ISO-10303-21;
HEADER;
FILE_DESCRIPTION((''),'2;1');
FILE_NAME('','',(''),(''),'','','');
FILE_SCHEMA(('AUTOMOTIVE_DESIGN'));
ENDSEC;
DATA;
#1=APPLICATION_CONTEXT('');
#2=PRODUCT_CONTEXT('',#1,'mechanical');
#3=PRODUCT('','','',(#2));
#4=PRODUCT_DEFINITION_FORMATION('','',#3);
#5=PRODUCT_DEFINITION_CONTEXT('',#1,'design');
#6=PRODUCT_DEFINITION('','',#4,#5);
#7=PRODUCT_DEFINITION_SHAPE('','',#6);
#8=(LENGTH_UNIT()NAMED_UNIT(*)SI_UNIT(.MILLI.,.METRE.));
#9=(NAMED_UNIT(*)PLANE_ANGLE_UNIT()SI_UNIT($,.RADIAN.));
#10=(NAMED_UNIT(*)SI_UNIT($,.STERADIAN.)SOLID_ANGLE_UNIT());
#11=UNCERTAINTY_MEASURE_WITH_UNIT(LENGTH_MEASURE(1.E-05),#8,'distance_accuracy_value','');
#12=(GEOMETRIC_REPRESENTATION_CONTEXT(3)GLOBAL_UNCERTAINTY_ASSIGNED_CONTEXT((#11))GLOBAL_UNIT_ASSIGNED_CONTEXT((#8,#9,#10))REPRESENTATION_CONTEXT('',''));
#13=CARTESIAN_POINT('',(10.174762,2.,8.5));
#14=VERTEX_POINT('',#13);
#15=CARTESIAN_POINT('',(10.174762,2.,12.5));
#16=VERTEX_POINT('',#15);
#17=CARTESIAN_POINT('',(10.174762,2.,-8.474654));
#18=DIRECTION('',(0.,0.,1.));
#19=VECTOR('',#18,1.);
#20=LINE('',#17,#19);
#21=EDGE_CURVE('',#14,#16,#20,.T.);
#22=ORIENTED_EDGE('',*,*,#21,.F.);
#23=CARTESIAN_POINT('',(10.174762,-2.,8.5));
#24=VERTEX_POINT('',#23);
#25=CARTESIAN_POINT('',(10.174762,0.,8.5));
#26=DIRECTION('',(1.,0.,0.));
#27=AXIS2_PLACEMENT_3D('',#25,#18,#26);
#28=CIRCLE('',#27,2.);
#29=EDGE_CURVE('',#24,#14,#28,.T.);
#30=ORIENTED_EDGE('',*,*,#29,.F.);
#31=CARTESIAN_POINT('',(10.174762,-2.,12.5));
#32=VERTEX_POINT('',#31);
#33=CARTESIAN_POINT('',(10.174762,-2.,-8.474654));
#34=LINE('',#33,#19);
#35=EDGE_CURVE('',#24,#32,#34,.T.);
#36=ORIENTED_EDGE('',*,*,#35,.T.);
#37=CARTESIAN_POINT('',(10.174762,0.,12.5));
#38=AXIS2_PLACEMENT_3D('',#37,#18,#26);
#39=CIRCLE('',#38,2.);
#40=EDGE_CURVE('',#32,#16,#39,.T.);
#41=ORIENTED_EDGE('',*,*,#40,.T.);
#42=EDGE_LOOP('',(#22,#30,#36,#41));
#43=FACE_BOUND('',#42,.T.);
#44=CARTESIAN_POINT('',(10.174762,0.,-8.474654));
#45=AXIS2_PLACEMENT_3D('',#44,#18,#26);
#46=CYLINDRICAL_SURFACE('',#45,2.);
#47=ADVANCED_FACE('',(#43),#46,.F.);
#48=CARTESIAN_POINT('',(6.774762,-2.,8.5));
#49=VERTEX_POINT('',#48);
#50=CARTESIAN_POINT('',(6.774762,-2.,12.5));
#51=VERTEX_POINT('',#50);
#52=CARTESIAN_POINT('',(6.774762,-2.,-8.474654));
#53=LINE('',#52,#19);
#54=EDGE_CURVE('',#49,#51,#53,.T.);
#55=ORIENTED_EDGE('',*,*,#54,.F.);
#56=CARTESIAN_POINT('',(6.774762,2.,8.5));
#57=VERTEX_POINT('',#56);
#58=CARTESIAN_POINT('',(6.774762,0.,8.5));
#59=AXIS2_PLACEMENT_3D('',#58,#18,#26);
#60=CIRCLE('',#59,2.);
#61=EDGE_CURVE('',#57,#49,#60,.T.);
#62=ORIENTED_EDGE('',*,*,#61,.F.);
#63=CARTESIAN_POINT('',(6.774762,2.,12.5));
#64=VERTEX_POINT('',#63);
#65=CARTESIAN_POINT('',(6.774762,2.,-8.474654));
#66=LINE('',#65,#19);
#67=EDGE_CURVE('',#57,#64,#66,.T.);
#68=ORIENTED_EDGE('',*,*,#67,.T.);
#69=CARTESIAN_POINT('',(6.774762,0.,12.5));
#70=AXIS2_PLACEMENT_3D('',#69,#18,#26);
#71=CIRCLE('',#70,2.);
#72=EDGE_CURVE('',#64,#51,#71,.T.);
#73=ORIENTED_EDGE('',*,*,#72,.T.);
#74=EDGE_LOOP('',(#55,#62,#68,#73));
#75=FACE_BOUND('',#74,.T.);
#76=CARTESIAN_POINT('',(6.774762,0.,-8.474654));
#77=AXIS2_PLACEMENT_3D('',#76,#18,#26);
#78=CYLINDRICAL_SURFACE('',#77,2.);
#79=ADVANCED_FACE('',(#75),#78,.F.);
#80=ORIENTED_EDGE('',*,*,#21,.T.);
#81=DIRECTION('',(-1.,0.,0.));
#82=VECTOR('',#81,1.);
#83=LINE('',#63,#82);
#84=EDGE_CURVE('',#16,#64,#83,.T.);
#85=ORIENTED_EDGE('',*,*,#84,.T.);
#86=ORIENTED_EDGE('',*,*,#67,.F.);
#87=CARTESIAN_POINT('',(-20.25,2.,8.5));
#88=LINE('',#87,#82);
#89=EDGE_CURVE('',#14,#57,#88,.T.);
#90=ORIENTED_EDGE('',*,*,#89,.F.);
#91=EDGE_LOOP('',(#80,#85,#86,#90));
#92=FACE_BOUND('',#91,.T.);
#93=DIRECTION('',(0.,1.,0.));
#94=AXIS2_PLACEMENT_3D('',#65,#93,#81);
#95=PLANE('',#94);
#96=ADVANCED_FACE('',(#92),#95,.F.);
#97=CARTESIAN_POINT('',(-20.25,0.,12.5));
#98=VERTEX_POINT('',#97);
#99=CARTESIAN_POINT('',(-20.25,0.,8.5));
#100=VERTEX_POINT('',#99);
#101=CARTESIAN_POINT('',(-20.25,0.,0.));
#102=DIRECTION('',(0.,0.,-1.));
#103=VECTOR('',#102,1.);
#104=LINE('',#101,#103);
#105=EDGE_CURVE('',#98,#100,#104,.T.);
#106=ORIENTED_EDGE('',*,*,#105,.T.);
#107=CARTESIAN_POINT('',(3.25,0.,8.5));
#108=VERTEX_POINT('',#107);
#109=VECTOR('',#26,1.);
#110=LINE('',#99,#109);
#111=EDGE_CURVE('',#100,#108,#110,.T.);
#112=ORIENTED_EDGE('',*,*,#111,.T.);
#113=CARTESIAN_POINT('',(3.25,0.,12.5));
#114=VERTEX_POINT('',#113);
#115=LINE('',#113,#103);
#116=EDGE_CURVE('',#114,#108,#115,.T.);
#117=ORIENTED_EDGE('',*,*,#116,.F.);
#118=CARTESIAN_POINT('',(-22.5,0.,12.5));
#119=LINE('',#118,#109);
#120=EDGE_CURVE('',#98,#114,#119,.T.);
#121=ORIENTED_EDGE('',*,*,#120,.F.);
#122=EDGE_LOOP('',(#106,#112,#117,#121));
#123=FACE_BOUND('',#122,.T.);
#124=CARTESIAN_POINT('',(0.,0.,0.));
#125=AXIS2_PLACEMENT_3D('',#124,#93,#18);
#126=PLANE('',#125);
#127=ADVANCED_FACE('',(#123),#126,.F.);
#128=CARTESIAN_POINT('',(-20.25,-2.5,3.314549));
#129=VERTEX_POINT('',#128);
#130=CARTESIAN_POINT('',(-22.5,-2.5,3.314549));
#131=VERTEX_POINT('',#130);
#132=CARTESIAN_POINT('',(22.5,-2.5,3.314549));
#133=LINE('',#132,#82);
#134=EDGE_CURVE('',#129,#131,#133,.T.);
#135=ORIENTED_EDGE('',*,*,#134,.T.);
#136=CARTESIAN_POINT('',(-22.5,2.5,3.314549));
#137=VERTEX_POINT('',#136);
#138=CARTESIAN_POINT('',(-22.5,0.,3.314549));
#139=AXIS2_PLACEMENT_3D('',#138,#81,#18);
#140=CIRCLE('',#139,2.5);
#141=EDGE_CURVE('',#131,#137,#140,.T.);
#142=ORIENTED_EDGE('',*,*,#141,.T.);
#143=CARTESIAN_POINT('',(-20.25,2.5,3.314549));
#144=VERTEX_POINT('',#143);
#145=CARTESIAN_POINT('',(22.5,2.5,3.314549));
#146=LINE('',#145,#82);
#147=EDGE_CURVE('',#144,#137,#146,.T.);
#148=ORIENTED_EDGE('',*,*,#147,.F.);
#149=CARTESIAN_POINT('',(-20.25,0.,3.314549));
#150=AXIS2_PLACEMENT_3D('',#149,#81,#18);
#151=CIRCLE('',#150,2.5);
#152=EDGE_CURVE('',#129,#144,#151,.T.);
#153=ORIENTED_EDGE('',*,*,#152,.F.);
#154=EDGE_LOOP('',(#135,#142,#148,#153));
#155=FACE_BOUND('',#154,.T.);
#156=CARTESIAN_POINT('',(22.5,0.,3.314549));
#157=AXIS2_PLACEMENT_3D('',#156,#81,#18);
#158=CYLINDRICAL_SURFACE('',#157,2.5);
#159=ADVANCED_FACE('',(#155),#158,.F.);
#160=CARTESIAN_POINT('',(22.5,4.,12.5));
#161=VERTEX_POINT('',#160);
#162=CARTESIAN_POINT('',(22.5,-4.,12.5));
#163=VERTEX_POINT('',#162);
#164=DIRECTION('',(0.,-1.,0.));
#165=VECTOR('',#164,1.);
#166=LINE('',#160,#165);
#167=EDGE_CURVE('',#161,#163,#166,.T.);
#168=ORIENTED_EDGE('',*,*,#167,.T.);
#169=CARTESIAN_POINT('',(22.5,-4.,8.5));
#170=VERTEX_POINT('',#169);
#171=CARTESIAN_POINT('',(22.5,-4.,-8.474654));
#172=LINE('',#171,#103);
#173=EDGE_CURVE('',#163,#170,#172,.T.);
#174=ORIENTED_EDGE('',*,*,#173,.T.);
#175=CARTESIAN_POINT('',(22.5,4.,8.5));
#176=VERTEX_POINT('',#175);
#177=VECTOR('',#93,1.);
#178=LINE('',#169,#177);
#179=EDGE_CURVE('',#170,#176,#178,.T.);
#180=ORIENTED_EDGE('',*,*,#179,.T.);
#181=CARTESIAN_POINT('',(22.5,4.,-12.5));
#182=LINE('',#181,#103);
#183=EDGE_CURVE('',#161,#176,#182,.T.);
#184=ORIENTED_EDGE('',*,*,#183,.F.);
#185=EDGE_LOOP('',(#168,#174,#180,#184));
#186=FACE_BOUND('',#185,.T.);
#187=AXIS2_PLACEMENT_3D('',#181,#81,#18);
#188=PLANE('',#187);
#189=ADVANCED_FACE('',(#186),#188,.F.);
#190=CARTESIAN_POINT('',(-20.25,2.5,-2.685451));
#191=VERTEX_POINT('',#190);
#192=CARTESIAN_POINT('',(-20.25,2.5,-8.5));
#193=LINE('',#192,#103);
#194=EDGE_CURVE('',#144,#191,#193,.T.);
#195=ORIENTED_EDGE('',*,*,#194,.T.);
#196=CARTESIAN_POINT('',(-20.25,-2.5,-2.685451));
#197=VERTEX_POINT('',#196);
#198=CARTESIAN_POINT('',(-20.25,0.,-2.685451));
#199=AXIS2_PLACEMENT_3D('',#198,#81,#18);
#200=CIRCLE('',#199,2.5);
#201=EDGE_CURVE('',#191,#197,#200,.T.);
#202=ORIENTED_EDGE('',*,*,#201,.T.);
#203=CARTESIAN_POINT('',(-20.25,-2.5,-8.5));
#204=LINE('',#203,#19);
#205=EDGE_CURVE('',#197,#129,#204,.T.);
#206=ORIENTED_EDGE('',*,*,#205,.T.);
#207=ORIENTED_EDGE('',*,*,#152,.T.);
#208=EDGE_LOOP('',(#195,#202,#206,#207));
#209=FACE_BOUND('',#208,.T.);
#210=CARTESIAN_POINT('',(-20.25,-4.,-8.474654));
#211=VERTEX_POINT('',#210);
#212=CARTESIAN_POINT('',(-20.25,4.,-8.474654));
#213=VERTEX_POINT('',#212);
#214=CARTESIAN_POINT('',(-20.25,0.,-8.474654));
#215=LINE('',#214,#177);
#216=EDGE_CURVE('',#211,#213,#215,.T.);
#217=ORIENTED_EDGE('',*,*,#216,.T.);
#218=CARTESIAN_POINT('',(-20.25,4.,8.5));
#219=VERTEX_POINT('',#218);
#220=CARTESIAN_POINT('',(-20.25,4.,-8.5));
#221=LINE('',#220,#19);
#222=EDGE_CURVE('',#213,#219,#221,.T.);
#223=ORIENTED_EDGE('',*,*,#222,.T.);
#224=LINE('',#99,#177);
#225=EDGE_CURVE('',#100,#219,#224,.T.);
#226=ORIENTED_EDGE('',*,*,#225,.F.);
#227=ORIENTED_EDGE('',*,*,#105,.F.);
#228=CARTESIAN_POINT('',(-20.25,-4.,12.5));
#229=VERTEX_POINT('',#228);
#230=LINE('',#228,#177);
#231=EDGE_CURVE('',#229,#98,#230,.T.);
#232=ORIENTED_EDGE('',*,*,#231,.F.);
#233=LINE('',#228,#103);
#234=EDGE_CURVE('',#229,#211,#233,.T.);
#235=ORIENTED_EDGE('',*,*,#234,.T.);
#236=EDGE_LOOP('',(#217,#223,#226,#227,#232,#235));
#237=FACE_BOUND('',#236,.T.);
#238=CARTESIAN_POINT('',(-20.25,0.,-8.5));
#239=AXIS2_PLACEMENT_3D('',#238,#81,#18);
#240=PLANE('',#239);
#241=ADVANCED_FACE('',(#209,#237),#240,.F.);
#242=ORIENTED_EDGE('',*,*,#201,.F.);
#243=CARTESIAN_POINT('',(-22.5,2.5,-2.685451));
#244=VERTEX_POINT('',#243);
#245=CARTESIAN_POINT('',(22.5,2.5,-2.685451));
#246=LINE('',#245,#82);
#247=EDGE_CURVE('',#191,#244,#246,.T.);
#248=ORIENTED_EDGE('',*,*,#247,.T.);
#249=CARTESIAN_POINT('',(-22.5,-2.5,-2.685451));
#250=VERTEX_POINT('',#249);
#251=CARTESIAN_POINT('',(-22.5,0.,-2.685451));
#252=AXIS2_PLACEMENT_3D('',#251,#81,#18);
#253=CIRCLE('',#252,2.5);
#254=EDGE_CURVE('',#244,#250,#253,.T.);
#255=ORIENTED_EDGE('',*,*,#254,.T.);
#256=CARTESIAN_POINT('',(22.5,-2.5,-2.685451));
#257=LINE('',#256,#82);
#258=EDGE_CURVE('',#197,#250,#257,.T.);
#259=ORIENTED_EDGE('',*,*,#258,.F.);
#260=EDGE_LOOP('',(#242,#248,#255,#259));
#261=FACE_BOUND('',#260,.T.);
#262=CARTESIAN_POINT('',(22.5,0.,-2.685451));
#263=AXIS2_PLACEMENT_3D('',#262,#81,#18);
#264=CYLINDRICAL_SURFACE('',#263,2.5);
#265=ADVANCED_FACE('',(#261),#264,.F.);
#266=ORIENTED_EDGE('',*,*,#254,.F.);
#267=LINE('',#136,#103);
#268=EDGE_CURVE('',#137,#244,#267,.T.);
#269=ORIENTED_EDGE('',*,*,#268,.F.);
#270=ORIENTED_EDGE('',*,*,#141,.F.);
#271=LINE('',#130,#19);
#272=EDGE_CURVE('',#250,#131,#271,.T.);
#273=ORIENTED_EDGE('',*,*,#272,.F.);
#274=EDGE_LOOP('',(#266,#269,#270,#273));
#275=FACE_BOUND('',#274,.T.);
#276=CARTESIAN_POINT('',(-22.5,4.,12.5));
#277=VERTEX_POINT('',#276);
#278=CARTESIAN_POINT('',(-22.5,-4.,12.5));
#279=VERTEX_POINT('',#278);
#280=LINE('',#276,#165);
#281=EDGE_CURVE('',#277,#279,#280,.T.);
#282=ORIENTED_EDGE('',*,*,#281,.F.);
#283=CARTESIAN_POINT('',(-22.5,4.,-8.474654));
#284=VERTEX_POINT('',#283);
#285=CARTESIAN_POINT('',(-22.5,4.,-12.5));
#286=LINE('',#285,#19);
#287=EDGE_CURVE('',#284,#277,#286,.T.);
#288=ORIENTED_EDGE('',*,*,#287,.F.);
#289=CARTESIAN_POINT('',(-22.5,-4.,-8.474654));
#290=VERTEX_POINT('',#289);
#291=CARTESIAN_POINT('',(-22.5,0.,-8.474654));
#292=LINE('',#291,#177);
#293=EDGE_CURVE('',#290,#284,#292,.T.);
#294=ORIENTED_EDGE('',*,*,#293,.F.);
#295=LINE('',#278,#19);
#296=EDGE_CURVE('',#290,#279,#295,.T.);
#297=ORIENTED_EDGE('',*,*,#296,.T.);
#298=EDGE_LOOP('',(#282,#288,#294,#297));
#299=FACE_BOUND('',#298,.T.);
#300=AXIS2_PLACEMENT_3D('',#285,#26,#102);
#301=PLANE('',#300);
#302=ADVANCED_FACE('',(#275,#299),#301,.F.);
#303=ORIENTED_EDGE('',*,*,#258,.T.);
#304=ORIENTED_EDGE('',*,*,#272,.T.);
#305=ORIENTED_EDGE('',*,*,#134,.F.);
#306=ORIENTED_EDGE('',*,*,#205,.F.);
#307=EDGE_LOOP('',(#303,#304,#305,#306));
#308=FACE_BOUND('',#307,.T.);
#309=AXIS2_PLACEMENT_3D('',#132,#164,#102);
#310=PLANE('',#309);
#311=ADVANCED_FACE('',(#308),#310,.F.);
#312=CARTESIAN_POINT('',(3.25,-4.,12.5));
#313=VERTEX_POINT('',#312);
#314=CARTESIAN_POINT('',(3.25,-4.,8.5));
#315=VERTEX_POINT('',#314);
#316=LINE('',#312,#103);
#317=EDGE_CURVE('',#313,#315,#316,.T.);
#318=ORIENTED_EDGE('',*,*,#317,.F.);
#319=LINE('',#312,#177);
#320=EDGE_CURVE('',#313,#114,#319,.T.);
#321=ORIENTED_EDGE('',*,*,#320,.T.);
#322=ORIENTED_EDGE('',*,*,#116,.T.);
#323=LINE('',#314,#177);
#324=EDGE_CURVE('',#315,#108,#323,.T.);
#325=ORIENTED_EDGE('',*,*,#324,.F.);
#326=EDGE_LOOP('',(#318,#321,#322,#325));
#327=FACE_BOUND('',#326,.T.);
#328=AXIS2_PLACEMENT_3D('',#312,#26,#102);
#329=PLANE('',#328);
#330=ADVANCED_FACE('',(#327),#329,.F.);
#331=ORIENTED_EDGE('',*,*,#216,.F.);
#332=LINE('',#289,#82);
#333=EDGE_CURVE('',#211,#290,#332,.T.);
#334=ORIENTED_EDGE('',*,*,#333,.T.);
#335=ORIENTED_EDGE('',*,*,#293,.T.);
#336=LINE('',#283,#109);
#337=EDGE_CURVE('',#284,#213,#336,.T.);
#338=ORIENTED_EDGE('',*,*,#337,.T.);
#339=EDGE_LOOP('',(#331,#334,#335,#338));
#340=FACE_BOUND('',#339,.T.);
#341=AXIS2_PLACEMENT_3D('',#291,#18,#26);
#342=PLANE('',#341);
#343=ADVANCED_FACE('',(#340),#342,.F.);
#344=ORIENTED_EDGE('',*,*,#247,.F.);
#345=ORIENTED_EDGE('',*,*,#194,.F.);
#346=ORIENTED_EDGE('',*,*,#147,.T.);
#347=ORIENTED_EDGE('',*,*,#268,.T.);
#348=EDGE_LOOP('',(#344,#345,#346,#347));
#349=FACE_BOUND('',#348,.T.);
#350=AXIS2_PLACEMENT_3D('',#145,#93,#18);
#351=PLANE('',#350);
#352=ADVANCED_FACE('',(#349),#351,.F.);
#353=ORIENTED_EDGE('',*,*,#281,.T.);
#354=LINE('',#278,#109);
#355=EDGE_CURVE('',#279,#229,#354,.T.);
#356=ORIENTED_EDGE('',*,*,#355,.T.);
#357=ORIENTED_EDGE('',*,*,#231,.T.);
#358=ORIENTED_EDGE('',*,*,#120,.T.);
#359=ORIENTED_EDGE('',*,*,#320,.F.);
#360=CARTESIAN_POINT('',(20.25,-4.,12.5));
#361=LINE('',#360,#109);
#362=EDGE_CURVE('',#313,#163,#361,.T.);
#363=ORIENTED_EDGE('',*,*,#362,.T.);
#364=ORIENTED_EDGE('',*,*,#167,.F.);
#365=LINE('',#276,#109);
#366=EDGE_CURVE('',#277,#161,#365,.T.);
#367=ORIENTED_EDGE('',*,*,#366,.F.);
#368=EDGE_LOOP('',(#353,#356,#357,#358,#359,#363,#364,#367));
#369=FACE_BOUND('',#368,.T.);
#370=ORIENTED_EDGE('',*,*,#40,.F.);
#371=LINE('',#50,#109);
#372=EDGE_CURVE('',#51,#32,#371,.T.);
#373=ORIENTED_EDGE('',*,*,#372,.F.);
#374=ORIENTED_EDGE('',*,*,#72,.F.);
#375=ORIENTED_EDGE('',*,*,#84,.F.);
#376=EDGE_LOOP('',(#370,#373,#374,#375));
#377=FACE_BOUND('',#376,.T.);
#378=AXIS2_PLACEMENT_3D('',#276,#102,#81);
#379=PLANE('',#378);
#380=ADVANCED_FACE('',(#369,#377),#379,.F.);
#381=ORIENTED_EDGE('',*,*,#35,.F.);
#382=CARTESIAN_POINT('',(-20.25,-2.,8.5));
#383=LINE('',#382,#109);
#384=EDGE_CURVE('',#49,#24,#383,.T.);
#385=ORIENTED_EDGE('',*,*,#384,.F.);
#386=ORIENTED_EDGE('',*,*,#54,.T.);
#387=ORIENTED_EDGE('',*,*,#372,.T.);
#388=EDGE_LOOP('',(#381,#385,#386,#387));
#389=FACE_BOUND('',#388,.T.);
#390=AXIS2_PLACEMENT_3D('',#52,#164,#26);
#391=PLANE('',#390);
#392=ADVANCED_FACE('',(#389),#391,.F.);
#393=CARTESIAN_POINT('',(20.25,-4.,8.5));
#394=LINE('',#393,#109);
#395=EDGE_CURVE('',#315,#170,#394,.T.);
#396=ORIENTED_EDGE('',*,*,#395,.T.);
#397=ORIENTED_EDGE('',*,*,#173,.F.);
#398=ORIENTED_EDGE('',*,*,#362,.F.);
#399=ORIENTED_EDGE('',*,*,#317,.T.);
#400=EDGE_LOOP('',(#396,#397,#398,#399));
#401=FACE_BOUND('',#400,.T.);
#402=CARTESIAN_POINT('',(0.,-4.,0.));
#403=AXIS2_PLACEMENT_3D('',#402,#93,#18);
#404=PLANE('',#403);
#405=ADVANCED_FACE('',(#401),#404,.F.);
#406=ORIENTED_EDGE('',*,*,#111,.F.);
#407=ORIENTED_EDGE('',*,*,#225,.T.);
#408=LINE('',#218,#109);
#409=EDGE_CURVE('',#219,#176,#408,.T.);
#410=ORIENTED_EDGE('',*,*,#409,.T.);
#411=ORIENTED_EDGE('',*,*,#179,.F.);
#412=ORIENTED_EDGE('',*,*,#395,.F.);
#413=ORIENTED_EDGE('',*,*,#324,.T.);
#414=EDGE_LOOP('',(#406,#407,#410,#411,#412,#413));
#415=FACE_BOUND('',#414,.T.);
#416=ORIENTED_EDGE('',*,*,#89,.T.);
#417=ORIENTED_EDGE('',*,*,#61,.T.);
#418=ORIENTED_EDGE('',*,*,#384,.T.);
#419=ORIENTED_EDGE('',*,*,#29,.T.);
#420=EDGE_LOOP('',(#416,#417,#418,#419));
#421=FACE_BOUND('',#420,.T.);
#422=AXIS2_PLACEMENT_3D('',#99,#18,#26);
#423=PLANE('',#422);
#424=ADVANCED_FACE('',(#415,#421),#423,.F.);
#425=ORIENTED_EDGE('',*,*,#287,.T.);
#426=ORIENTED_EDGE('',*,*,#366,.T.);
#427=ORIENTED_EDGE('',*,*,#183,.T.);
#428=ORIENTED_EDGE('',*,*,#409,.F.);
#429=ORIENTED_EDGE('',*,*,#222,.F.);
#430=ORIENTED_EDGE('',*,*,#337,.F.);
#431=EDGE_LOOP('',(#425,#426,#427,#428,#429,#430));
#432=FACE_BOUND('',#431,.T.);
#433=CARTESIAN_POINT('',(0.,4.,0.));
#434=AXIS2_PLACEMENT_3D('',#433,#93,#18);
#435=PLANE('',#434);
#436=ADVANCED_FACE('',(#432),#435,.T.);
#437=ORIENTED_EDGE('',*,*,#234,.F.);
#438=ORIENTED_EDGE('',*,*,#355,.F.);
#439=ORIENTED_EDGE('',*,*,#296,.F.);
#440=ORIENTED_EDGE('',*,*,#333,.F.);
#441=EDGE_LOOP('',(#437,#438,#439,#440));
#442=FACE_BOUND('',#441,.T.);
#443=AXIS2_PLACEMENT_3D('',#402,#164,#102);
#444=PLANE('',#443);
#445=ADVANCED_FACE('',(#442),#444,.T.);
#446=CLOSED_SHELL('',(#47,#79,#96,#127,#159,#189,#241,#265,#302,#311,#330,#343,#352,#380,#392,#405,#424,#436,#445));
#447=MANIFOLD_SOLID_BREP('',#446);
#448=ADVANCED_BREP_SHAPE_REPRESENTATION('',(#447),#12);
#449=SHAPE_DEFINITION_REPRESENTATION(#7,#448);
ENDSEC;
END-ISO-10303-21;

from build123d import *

# Parameters (mm, degrees)
SKETCH1_W           = 45
SKETCH1_H           = 25
BOSS_EXTRUDE1_DEPTH = 4
SKETCH5_W           = 40.5
SKETCH5_H           = 17
CUT_EXTRUDE2_DEPTH  = 27.048032555
SKETCH6_W           = 45
SKETCH6_H           = 4.025345596
CUT_EXTRUDE3_DEPTH  = 27.048032555
SKETCH13_W          = 2.25
SKETCH13_H          = 20.974654404
BOSS_EXTRUDE3_DEPTH = 8
SKETCH16_W          = 2.25
SKETCH16_H          = 20.974654404
BOSS_EXTRUDE4_DEPTH = 8
SKETCH19_W          = 17
SKETCH19_H          = 4
BOSS_EXTRUDE5_DEPTH = 4
SKETCH21_W          = 2.25
SKETCH21_H          = 16.974654404
CUT_EXTRUDE7_DEPTH  = 27.953663944
CUT_EXTRUDE9_DEPTH  = 47.874833333
CUT_EXTRUDE14_DEPTH = 32.019125187


with BuildPart() as part:
    # Sketch1 → Boss-Extrude1 (new body)
    with BuildSketch(Plane(origin=(0, 0, 0), x_dir=(1, 0, 0), z_dir=(0, 1, 0))):
        Rectangle(SKETCH1_W, SKETCH1_H)
    extrude(amount=BOSS_EXTRUDE1_DEPTH)

    # Sketch5 → Cut-Extrude2 (cut, through all)
    with BuildSketch(Plane(origin=(0, 4, 0), x_dir=(1, 0, 0), z_dir=(0, 1, 0))):
        Rectangle(SKETCH5_W, SKETCH5_H)
    extrude(amount=-CUT_EXTRUDE2_DEPTH, mode=Mode.SUBTRACT)

    # Sketch6 → Cut-Extrude3 (cut, through all)
    with BuildSketch(Plane(origin=(0, 4, 0), x_dir=(1, 0, 0), z_dir=(0, 1, 0))):
        with Locations((0, 10.487327202)):
            Rectangle(SKETCH6_W, SKETCH6_H)
    extrude(amount=-CUT_EXTRUDE3_DEPTH, mode=Mode.SUBTRACT)

    # Sketch13 → Boss-Extrude3 (add)
    with BuildSketch(Plane(origin=(0, 4, 0), x_dir=(1, 0, 0), z_dir=(0, 1, 0))):
        with Locations((21.375, -2.012672798)):
            Rectangle(SKETCH13_W, SKETCH13_H)
    extrude(amount=-BOSS_EXTRUDE3_DEPTH)

    # Sketch16 → Boss-Extrude4 (add)
    with BuildSketch(Plane(origin=(0, 4, 0), x_dir=(1, 0, 0), z_dir=(0, 1, 0))):
        with Locations((-21.375, -2.012672798)):
            Rectangle(SKETCH16_W, SKETCH16_H)
    extrude(amount=-BOSS_EXTRUDE4_DEPTH)

    # Sketch19 → Boss-Extrude5 (add)
    with BuildSketch(Plane.XZ):
        with Locations((11.75, 10.5)):
            Rectangle(SKETCH19_W, SKETCH19_H)
    extrude(amount=BOSS_EXTRUDE5_DEPTH)

    # Sketch21 → Cut-Extrude7 (cut, through all)
    with BuildSketch(Plane(origin=(0, 4, 0), x_dir=(1, 0, 0), z_dir=(0, 1, 0))):
        with Locations((21.375, -0.012672798)):
            Rectangle(SKETCH21_W, SKETCH21_H)
    extrude(amount=-CUT_EXTRUDE7_DEPTH, mode=Mode.SUBTRACT)

    # Sketch25 → Cut-Extrude9 (cut, through all)
    with BuildSketch(Plane.ZY.offset(22.5)):
        with BuildLine():
            Line((3.314549123, -2.5), (-2.685450877, -2.5))
            ThreePointArc((-2.685450877, -2.5), (-5.185450877, 0), (-2.685450877, 2.5))
            Line((-2.685450877, 2.5), (3.314549123, 2.5))
            ThreePointArc((3.314549123, 2.5), (5.814549123, 0), (3.314549123, -2.5))
        make_face()
    extrude(amount=-CUT_EXTRUDE9_DEPTH, mode=Mode.SUBTRACT)

    # Sketch29 → Cut-Extrude14 (cut, through all)
    with BuildSketch(Plane.XY.offset(12.5)):
        with BuildLine():
            Line((6.774762471, 2), (10.174762471, 2))
            ThreePointArc((10.174762471, 2), (12.174762471, 0), (10.174762471, -2))
            Line((10.174762471, -2), (6.774762471, -2))
            ThreePointArc((6.774762471, -2), (4.774762471, 0), (6.774762471, 2))
        make_face()
    extrude(amount=-CUT_EXTRUDE14_DEPTH, mode=Mode.SUBTRACT)


solid = part.part
